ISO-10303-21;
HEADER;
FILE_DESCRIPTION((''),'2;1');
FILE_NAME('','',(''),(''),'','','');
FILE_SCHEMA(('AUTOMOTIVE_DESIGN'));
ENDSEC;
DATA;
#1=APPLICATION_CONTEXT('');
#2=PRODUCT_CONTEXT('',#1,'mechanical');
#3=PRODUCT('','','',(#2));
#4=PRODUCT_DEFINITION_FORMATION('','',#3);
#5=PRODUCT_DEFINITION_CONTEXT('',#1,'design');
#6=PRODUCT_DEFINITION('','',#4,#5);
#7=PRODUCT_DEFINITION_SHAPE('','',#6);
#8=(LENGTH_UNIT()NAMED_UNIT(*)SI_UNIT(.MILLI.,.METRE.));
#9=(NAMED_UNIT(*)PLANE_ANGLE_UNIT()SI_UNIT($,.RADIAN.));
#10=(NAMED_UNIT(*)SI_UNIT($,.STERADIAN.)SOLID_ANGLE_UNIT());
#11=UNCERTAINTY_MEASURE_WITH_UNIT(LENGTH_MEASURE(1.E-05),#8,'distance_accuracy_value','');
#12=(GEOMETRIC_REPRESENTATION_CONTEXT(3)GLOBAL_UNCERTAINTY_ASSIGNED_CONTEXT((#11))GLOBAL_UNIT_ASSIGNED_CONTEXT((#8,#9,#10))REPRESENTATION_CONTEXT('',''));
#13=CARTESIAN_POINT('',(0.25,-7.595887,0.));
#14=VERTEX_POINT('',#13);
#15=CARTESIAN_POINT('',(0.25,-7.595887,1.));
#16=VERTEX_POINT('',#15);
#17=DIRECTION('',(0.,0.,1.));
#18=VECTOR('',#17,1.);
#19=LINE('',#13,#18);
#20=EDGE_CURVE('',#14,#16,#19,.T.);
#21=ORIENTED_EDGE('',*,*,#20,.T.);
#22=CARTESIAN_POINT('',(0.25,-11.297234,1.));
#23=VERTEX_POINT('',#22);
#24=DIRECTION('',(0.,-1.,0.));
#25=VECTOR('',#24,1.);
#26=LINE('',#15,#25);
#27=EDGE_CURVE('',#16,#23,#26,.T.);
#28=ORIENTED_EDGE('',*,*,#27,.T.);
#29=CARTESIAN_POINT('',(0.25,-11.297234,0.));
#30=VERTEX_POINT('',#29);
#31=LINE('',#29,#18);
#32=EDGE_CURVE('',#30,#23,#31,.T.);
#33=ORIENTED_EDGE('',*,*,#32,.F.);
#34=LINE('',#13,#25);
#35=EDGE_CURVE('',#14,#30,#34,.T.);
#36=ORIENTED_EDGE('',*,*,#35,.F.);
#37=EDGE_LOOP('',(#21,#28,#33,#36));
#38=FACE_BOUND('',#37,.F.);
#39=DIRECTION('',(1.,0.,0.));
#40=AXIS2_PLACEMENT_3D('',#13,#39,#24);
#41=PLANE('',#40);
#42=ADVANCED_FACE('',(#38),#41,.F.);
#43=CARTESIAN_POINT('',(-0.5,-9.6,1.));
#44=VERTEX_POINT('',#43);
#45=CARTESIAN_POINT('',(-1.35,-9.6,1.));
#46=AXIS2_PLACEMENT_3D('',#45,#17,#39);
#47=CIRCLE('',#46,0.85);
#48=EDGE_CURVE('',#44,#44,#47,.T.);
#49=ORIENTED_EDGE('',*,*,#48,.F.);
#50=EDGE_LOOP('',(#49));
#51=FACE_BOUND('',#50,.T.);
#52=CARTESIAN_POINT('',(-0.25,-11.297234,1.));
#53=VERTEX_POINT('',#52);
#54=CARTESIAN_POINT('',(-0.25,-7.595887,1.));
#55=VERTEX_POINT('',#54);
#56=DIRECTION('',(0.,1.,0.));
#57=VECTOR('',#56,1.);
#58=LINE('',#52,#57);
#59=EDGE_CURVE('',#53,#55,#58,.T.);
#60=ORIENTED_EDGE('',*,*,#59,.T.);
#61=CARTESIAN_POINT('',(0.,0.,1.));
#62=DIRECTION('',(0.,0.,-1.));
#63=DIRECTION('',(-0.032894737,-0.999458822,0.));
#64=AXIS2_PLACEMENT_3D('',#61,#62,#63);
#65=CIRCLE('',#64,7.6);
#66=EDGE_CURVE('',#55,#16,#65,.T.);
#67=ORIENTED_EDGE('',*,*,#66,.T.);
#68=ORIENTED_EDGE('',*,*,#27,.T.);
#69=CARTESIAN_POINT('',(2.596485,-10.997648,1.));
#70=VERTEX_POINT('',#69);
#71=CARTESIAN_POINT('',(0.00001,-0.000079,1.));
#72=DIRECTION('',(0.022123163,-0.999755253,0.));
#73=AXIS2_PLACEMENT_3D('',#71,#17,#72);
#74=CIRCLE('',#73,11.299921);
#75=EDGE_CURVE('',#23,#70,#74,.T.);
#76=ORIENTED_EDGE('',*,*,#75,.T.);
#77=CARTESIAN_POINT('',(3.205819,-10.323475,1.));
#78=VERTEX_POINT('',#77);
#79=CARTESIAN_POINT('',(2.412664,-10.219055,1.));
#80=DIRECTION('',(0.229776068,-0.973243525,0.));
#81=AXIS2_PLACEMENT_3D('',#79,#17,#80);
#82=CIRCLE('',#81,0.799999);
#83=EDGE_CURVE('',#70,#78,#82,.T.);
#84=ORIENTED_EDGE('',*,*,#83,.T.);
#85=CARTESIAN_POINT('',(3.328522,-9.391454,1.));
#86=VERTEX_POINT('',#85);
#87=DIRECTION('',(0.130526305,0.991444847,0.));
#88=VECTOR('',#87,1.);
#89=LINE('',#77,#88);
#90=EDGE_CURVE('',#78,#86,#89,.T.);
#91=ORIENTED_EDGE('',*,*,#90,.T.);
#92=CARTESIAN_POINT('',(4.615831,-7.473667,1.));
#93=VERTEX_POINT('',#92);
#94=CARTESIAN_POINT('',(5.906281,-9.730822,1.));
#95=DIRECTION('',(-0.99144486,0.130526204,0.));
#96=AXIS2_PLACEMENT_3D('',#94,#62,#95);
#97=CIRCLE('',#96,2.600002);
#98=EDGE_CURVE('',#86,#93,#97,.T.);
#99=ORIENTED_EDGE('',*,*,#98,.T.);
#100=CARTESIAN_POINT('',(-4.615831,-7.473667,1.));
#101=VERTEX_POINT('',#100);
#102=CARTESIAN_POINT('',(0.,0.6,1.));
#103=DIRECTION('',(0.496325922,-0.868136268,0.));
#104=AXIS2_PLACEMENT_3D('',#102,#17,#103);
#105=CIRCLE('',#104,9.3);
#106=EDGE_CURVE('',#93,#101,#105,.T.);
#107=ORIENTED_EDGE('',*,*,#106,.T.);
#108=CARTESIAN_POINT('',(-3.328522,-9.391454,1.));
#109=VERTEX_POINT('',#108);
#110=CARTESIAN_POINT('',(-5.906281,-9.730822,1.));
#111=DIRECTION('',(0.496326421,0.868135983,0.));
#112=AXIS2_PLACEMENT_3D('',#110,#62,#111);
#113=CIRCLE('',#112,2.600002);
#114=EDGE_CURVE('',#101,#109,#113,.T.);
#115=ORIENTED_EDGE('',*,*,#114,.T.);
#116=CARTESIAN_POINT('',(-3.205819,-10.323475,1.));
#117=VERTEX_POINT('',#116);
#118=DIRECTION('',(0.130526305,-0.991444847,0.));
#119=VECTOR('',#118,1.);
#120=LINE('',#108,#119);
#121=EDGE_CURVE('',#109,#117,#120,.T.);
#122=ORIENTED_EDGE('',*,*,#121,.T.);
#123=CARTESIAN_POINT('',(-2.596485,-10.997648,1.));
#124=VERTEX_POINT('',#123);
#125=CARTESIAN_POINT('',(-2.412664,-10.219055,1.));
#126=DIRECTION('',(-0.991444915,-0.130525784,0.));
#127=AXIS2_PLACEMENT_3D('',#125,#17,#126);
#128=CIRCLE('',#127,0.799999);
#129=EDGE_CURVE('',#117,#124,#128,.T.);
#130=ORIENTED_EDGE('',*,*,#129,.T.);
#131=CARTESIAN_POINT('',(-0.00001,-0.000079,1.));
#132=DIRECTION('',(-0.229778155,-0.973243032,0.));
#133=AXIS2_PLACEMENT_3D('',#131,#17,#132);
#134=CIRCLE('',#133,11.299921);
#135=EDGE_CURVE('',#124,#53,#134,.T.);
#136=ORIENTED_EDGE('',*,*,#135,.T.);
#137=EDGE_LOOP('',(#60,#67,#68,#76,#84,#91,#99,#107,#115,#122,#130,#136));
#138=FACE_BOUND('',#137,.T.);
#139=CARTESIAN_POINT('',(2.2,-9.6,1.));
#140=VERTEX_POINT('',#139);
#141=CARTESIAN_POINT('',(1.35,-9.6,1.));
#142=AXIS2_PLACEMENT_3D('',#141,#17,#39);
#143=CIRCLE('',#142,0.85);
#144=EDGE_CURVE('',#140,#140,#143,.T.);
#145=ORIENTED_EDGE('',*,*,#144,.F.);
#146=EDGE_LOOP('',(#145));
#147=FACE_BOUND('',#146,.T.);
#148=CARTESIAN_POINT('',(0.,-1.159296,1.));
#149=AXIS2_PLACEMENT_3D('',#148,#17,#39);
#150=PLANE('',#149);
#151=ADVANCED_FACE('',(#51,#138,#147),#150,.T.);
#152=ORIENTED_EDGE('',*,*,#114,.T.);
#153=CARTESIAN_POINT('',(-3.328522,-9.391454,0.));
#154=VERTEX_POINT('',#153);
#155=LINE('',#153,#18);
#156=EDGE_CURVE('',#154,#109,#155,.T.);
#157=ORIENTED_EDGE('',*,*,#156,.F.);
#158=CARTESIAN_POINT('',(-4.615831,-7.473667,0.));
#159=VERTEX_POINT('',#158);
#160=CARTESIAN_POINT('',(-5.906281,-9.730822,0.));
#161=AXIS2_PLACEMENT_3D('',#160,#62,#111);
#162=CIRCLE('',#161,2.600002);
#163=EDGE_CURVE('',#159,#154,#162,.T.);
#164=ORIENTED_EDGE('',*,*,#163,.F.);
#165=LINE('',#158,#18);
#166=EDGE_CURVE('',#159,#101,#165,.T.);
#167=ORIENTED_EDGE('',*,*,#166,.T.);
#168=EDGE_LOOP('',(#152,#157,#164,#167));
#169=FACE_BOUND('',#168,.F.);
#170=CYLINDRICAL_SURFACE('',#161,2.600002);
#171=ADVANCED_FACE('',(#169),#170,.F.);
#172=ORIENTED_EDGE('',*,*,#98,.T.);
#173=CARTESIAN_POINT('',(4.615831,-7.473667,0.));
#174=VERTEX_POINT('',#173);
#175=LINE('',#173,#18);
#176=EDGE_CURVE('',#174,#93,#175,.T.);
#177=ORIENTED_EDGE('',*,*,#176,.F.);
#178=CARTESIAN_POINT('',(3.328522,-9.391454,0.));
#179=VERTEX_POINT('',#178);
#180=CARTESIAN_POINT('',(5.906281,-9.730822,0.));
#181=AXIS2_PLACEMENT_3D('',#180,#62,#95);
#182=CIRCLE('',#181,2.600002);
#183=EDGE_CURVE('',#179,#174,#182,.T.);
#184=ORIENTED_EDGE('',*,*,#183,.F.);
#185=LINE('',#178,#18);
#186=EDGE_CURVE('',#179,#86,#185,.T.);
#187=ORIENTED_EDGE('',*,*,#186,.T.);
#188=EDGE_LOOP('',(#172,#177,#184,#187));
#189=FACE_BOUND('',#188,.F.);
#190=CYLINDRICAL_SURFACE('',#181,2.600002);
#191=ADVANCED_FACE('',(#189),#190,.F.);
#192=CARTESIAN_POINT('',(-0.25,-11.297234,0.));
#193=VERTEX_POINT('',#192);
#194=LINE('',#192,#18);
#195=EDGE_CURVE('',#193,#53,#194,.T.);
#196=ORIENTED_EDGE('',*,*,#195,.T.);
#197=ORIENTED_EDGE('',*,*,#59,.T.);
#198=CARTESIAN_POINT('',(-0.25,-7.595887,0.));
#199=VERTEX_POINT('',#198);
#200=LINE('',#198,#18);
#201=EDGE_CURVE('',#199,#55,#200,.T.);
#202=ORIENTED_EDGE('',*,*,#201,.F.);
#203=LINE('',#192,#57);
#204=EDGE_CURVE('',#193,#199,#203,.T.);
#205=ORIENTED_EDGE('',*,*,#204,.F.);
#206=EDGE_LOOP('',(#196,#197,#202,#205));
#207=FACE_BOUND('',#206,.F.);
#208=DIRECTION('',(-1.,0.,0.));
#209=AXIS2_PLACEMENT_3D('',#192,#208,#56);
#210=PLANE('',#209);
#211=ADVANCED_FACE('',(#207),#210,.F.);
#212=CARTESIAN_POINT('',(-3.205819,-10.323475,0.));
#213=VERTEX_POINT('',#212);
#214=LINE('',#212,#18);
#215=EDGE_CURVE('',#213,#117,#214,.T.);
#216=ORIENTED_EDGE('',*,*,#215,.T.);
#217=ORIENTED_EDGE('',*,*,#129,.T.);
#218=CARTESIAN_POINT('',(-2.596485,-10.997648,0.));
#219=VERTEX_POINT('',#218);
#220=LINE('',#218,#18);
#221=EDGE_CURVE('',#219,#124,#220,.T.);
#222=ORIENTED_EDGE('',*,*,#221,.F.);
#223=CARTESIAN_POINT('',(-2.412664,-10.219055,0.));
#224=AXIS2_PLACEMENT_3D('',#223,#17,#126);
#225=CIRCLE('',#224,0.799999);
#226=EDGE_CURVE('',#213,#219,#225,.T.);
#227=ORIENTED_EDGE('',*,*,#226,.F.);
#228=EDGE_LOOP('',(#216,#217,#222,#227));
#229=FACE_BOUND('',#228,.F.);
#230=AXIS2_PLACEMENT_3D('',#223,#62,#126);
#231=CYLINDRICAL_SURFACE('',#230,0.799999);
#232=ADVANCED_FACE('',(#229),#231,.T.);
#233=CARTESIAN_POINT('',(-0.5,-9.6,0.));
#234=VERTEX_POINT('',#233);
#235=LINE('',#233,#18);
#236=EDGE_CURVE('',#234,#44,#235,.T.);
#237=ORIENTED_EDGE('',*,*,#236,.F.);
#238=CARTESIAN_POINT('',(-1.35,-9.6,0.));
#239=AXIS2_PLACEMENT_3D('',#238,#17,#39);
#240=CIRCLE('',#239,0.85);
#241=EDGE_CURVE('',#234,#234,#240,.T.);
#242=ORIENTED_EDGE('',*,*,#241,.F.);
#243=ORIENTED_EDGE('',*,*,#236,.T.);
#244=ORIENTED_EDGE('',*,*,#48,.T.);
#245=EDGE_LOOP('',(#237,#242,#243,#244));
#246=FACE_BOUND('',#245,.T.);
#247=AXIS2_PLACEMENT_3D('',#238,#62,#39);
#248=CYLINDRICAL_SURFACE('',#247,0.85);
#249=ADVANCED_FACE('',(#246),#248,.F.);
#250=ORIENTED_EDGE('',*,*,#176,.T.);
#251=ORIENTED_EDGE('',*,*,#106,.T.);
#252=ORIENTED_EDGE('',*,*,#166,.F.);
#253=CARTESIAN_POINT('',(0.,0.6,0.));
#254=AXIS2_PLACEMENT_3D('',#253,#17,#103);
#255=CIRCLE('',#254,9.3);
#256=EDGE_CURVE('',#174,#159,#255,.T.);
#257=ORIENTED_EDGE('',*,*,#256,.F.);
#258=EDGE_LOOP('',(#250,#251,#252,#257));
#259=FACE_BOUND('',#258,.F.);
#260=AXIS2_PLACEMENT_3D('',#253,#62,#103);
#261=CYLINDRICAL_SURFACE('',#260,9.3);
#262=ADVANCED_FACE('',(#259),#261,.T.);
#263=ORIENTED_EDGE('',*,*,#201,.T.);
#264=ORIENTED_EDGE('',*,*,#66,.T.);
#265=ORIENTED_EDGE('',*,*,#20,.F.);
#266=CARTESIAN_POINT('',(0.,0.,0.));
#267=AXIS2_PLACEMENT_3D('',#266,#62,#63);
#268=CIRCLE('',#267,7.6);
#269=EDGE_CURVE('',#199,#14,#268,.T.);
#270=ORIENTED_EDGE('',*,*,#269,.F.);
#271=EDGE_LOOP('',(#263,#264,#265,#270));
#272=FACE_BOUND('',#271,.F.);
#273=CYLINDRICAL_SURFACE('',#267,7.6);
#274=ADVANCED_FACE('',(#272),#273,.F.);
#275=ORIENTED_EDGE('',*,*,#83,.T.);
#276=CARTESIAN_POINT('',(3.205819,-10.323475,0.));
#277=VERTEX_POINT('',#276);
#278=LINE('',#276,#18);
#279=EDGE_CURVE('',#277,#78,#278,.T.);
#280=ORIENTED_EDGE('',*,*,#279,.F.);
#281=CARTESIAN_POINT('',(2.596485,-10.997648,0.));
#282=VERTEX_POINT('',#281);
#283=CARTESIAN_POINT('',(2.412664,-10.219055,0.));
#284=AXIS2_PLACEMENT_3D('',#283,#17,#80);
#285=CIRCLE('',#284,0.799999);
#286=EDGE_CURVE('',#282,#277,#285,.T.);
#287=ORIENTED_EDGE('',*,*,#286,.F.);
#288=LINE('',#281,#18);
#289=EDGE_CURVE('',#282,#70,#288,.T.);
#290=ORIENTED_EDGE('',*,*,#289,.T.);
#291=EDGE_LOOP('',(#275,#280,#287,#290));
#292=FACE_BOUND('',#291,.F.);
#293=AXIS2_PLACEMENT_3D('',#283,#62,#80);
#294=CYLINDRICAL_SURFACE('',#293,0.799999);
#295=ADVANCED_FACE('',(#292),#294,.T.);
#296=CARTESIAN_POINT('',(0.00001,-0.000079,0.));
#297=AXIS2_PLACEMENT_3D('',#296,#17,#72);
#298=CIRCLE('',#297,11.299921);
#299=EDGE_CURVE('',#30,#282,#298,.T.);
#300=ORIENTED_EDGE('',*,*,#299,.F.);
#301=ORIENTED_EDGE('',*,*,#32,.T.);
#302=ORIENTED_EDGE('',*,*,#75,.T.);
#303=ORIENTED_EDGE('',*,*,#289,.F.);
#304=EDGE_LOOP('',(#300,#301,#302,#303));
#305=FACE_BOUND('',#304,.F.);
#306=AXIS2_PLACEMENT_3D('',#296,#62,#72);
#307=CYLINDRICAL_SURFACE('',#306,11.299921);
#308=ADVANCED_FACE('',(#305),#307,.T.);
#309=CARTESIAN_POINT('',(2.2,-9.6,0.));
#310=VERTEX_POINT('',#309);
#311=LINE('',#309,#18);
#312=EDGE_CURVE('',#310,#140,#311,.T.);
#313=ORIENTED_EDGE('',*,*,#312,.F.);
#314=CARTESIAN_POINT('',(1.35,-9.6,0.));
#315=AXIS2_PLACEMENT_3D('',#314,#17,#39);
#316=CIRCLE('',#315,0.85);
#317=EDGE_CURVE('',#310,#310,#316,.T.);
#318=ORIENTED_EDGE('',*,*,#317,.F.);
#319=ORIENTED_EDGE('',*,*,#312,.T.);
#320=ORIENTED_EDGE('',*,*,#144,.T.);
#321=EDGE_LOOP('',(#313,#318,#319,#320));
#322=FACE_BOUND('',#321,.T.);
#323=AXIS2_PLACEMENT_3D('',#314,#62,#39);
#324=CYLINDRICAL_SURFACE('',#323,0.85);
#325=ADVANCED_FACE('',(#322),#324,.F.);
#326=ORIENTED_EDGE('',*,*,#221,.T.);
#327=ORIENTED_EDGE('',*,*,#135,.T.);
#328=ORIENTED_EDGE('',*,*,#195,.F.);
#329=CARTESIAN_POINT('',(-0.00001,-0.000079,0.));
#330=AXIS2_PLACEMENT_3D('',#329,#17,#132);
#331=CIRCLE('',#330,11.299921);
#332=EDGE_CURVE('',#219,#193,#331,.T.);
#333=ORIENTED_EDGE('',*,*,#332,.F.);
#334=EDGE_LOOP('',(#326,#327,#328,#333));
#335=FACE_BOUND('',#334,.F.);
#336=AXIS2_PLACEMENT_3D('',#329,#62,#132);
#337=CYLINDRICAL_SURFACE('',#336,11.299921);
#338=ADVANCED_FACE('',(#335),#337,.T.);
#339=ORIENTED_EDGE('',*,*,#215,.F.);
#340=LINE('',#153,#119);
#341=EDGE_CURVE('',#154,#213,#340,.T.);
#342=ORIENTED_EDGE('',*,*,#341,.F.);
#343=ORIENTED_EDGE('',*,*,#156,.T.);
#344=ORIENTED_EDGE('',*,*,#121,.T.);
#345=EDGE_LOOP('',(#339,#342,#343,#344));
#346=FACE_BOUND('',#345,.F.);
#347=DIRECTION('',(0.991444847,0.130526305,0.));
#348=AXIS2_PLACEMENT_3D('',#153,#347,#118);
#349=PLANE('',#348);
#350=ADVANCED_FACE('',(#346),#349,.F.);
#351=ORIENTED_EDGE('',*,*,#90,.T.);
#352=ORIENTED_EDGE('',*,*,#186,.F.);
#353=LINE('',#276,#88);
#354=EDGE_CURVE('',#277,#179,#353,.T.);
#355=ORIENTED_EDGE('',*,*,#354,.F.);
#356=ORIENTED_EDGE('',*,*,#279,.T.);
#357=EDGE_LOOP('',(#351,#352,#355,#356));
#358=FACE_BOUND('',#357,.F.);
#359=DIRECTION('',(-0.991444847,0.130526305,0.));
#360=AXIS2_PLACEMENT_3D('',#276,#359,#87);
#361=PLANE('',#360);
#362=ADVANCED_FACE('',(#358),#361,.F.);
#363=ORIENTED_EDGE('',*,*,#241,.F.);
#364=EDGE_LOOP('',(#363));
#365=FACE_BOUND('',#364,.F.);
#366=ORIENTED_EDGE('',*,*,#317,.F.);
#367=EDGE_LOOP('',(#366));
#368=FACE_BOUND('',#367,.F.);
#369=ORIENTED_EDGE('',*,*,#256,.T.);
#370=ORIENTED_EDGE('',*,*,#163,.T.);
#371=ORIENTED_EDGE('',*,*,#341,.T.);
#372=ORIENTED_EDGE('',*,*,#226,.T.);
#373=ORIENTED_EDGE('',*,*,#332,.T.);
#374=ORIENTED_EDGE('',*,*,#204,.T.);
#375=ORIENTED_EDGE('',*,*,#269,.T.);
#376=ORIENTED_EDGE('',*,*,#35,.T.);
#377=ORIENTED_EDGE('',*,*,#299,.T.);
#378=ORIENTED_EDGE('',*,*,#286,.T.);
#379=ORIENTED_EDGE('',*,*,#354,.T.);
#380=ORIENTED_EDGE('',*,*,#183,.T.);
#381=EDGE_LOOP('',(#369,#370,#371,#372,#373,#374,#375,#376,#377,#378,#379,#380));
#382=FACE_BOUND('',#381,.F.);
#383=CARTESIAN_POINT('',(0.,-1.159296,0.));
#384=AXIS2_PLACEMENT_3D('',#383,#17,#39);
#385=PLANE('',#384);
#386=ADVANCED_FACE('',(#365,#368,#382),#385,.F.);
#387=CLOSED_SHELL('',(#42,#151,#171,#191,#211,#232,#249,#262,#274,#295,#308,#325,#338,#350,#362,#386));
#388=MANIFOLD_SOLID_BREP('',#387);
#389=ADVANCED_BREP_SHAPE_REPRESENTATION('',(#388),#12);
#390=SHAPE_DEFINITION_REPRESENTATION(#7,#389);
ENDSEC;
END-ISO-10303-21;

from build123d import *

# Parameters (mm, degrees)
F0_R     = 0.85
F1_DEPTH = 1


with BuildPart() as f1:
    # F0 (on Top) → F1 (new body)
    with BuildSketch(Plane.XY):
        with BuildLine():
            ThreePointArc((-0.25, -7.595887), (0, 7.6), (0.25, -7.595887))
            Line((0.25, -7.595887), (0.25, -11.297234))
            ThreePointArc((0.25, -11.297234), (1.431103, -11.209012), (2.596485, -10.997648))
            ThreePointArc((2.596485, -10.997648), (3.006169, -10.755478), (3.205819, -10.323475))
            Line((3.205819, -10.323475), (3.328522, -9.391454))
            ThreePointArc((3.328522, -9.391454), (3.747523, -8.281762), (4.615831, -7.473667))
            ThreePointArc((4.615831, -7.473667), (0, 9.9), (-4.615831, -7.473667))
            ThreePointArc((-4.615831, -7.473667), (-3.747523, -8.281762), (-3.328522, -9.391454))
            Line((-3.328522, -9.391454), (-3.205819, -10.323475))
            ThreePointArc((-3.205819, -10.323475), (-3.006169, -10.755478), (-2.596485, -10.997648))
            ThreePointArc((-2.596485, -10.997648), (-1.431103, -11.209012), (-0.25, -11.297234))
            Line((-0.25, -11.297234), (-0.25, -7.595887))
        make_face()
        with Locations((-1.35, -9.6)):
            Circle(F0_R, mode=Mode.SUBTRACT)
        with Locations((1.35, -9.6)):
            Circle(F0_R, mode=Mode.SUBTRACT)
    extrude(amount=F1_DEPTH)


solid = f1.part
